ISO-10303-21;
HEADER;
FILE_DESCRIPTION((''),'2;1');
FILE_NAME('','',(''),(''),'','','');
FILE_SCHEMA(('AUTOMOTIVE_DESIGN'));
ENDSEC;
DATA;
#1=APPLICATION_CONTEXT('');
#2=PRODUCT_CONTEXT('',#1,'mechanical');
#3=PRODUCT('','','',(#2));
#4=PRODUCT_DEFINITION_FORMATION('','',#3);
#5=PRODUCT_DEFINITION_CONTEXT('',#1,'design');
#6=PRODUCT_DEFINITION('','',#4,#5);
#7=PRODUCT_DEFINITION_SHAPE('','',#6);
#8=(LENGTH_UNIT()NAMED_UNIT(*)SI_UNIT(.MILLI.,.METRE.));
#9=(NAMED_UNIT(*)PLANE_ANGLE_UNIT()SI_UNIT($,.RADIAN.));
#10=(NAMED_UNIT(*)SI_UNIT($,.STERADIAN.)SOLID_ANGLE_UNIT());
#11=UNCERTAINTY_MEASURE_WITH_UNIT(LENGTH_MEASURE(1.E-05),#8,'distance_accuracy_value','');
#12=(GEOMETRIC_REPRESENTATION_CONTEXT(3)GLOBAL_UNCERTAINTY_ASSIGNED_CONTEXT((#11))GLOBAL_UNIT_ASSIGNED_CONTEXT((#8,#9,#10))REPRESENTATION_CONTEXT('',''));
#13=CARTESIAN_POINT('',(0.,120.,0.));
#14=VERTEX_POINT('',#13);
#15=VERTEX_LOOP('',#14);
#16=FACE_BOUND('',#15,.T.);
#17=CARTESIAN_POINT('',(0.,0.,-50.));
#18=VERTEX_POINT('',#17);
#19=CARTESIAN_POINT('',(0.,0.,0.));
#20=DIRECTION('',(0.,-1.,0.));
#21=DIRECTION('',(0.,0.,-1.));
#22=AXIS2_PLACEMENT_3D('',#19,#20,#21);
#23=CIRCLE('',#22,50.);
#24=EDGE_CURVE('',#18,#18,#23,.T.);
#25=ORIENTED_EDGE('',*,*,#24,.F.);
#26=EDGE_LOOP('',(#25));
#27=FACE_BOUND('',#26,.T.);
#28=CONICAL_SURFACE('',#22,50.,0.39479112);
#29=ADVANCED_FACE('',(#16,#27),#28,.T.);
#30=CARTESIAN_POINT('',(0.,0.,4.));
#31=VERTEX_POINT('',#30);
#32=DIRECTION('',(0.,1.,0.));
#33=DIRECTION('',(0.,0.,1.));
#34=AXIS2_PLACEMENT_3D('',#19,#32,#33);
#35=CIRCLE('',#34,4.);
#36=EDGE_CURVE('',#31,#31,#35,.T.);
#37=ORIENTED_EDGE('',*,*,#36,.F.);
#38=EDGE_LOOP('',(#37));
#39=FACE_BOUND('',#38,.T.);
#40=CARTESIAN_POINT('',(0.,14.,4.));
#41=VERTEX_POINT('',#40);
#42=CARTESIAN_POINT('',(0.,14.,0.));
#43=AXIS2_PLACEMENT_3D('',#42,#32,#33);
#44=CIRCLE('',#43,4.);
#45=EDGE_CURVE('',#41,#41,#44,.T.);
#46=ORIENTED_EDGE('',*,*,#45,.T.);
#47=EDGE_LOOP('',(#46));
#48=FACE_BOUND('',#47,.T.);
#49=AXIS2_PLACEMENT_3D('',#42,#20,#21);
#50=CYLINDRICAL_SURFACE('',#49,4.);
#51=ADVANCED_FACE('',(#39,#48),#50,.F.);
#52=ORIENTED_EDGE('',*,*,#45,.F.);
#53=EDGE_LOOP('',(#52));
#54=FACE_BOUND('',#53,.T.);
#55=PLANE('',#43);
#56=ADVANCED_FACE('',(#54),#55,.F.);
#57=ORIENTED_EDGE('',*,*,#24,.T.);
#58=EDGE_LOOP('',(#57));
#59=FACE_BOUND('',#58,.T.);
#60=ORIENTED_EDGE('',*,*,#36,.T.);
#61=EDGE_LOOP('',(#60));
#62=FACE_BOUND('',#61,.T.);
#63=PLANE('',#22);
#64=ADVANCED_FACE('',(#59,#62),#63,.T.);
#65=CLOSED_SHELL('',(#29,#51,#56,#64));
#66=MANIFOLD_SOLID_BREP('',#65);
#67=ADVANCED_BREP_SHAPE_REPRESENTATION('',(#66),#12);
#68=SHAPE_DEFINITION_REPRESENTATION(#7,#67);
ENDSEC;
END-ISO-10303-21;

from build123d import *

# Parameters (mm, degrees)
CROQUIS_AGUJEROS_MONTAJE_R = 4
AGUJERO_INSERTO_M6_DEPTH   = 14


with BuildPart() as part:
    # Croquis_perfil → Cono_D100x120 (revolve)
    with BuildSketch(Plane.XY, mode=Mode.PRIVATE) as cono_d100x120_sk:
        Polygon((0, 0), (50, 0), (0, 120), align=None)
    revolve(cono_d100x120_sk.sketch.rotate(Axis((0, 0, 0), (0, 1, 0)), 90), axis=Axis((0, 0, 0), (0, 1, 0)))

    # Croquis_agujeros_montaje → Agujero_inserto_M6 (cut)
    with BuildSketch(Plane(origin=(0, 0, 0), x_dir=(1, 0, 0), z_dir=(0, 1, 0))):
        with Locations(Location((0, 0, 0), (0, 0, 270))):
            Circle(CROQUIS_AGUJEROS_MONTAJE_R)
    extrude(amount=AGUJERO_INSERTO_M6_DEPTH, mode=Mode.SUBTRACT)


solid = part.part
